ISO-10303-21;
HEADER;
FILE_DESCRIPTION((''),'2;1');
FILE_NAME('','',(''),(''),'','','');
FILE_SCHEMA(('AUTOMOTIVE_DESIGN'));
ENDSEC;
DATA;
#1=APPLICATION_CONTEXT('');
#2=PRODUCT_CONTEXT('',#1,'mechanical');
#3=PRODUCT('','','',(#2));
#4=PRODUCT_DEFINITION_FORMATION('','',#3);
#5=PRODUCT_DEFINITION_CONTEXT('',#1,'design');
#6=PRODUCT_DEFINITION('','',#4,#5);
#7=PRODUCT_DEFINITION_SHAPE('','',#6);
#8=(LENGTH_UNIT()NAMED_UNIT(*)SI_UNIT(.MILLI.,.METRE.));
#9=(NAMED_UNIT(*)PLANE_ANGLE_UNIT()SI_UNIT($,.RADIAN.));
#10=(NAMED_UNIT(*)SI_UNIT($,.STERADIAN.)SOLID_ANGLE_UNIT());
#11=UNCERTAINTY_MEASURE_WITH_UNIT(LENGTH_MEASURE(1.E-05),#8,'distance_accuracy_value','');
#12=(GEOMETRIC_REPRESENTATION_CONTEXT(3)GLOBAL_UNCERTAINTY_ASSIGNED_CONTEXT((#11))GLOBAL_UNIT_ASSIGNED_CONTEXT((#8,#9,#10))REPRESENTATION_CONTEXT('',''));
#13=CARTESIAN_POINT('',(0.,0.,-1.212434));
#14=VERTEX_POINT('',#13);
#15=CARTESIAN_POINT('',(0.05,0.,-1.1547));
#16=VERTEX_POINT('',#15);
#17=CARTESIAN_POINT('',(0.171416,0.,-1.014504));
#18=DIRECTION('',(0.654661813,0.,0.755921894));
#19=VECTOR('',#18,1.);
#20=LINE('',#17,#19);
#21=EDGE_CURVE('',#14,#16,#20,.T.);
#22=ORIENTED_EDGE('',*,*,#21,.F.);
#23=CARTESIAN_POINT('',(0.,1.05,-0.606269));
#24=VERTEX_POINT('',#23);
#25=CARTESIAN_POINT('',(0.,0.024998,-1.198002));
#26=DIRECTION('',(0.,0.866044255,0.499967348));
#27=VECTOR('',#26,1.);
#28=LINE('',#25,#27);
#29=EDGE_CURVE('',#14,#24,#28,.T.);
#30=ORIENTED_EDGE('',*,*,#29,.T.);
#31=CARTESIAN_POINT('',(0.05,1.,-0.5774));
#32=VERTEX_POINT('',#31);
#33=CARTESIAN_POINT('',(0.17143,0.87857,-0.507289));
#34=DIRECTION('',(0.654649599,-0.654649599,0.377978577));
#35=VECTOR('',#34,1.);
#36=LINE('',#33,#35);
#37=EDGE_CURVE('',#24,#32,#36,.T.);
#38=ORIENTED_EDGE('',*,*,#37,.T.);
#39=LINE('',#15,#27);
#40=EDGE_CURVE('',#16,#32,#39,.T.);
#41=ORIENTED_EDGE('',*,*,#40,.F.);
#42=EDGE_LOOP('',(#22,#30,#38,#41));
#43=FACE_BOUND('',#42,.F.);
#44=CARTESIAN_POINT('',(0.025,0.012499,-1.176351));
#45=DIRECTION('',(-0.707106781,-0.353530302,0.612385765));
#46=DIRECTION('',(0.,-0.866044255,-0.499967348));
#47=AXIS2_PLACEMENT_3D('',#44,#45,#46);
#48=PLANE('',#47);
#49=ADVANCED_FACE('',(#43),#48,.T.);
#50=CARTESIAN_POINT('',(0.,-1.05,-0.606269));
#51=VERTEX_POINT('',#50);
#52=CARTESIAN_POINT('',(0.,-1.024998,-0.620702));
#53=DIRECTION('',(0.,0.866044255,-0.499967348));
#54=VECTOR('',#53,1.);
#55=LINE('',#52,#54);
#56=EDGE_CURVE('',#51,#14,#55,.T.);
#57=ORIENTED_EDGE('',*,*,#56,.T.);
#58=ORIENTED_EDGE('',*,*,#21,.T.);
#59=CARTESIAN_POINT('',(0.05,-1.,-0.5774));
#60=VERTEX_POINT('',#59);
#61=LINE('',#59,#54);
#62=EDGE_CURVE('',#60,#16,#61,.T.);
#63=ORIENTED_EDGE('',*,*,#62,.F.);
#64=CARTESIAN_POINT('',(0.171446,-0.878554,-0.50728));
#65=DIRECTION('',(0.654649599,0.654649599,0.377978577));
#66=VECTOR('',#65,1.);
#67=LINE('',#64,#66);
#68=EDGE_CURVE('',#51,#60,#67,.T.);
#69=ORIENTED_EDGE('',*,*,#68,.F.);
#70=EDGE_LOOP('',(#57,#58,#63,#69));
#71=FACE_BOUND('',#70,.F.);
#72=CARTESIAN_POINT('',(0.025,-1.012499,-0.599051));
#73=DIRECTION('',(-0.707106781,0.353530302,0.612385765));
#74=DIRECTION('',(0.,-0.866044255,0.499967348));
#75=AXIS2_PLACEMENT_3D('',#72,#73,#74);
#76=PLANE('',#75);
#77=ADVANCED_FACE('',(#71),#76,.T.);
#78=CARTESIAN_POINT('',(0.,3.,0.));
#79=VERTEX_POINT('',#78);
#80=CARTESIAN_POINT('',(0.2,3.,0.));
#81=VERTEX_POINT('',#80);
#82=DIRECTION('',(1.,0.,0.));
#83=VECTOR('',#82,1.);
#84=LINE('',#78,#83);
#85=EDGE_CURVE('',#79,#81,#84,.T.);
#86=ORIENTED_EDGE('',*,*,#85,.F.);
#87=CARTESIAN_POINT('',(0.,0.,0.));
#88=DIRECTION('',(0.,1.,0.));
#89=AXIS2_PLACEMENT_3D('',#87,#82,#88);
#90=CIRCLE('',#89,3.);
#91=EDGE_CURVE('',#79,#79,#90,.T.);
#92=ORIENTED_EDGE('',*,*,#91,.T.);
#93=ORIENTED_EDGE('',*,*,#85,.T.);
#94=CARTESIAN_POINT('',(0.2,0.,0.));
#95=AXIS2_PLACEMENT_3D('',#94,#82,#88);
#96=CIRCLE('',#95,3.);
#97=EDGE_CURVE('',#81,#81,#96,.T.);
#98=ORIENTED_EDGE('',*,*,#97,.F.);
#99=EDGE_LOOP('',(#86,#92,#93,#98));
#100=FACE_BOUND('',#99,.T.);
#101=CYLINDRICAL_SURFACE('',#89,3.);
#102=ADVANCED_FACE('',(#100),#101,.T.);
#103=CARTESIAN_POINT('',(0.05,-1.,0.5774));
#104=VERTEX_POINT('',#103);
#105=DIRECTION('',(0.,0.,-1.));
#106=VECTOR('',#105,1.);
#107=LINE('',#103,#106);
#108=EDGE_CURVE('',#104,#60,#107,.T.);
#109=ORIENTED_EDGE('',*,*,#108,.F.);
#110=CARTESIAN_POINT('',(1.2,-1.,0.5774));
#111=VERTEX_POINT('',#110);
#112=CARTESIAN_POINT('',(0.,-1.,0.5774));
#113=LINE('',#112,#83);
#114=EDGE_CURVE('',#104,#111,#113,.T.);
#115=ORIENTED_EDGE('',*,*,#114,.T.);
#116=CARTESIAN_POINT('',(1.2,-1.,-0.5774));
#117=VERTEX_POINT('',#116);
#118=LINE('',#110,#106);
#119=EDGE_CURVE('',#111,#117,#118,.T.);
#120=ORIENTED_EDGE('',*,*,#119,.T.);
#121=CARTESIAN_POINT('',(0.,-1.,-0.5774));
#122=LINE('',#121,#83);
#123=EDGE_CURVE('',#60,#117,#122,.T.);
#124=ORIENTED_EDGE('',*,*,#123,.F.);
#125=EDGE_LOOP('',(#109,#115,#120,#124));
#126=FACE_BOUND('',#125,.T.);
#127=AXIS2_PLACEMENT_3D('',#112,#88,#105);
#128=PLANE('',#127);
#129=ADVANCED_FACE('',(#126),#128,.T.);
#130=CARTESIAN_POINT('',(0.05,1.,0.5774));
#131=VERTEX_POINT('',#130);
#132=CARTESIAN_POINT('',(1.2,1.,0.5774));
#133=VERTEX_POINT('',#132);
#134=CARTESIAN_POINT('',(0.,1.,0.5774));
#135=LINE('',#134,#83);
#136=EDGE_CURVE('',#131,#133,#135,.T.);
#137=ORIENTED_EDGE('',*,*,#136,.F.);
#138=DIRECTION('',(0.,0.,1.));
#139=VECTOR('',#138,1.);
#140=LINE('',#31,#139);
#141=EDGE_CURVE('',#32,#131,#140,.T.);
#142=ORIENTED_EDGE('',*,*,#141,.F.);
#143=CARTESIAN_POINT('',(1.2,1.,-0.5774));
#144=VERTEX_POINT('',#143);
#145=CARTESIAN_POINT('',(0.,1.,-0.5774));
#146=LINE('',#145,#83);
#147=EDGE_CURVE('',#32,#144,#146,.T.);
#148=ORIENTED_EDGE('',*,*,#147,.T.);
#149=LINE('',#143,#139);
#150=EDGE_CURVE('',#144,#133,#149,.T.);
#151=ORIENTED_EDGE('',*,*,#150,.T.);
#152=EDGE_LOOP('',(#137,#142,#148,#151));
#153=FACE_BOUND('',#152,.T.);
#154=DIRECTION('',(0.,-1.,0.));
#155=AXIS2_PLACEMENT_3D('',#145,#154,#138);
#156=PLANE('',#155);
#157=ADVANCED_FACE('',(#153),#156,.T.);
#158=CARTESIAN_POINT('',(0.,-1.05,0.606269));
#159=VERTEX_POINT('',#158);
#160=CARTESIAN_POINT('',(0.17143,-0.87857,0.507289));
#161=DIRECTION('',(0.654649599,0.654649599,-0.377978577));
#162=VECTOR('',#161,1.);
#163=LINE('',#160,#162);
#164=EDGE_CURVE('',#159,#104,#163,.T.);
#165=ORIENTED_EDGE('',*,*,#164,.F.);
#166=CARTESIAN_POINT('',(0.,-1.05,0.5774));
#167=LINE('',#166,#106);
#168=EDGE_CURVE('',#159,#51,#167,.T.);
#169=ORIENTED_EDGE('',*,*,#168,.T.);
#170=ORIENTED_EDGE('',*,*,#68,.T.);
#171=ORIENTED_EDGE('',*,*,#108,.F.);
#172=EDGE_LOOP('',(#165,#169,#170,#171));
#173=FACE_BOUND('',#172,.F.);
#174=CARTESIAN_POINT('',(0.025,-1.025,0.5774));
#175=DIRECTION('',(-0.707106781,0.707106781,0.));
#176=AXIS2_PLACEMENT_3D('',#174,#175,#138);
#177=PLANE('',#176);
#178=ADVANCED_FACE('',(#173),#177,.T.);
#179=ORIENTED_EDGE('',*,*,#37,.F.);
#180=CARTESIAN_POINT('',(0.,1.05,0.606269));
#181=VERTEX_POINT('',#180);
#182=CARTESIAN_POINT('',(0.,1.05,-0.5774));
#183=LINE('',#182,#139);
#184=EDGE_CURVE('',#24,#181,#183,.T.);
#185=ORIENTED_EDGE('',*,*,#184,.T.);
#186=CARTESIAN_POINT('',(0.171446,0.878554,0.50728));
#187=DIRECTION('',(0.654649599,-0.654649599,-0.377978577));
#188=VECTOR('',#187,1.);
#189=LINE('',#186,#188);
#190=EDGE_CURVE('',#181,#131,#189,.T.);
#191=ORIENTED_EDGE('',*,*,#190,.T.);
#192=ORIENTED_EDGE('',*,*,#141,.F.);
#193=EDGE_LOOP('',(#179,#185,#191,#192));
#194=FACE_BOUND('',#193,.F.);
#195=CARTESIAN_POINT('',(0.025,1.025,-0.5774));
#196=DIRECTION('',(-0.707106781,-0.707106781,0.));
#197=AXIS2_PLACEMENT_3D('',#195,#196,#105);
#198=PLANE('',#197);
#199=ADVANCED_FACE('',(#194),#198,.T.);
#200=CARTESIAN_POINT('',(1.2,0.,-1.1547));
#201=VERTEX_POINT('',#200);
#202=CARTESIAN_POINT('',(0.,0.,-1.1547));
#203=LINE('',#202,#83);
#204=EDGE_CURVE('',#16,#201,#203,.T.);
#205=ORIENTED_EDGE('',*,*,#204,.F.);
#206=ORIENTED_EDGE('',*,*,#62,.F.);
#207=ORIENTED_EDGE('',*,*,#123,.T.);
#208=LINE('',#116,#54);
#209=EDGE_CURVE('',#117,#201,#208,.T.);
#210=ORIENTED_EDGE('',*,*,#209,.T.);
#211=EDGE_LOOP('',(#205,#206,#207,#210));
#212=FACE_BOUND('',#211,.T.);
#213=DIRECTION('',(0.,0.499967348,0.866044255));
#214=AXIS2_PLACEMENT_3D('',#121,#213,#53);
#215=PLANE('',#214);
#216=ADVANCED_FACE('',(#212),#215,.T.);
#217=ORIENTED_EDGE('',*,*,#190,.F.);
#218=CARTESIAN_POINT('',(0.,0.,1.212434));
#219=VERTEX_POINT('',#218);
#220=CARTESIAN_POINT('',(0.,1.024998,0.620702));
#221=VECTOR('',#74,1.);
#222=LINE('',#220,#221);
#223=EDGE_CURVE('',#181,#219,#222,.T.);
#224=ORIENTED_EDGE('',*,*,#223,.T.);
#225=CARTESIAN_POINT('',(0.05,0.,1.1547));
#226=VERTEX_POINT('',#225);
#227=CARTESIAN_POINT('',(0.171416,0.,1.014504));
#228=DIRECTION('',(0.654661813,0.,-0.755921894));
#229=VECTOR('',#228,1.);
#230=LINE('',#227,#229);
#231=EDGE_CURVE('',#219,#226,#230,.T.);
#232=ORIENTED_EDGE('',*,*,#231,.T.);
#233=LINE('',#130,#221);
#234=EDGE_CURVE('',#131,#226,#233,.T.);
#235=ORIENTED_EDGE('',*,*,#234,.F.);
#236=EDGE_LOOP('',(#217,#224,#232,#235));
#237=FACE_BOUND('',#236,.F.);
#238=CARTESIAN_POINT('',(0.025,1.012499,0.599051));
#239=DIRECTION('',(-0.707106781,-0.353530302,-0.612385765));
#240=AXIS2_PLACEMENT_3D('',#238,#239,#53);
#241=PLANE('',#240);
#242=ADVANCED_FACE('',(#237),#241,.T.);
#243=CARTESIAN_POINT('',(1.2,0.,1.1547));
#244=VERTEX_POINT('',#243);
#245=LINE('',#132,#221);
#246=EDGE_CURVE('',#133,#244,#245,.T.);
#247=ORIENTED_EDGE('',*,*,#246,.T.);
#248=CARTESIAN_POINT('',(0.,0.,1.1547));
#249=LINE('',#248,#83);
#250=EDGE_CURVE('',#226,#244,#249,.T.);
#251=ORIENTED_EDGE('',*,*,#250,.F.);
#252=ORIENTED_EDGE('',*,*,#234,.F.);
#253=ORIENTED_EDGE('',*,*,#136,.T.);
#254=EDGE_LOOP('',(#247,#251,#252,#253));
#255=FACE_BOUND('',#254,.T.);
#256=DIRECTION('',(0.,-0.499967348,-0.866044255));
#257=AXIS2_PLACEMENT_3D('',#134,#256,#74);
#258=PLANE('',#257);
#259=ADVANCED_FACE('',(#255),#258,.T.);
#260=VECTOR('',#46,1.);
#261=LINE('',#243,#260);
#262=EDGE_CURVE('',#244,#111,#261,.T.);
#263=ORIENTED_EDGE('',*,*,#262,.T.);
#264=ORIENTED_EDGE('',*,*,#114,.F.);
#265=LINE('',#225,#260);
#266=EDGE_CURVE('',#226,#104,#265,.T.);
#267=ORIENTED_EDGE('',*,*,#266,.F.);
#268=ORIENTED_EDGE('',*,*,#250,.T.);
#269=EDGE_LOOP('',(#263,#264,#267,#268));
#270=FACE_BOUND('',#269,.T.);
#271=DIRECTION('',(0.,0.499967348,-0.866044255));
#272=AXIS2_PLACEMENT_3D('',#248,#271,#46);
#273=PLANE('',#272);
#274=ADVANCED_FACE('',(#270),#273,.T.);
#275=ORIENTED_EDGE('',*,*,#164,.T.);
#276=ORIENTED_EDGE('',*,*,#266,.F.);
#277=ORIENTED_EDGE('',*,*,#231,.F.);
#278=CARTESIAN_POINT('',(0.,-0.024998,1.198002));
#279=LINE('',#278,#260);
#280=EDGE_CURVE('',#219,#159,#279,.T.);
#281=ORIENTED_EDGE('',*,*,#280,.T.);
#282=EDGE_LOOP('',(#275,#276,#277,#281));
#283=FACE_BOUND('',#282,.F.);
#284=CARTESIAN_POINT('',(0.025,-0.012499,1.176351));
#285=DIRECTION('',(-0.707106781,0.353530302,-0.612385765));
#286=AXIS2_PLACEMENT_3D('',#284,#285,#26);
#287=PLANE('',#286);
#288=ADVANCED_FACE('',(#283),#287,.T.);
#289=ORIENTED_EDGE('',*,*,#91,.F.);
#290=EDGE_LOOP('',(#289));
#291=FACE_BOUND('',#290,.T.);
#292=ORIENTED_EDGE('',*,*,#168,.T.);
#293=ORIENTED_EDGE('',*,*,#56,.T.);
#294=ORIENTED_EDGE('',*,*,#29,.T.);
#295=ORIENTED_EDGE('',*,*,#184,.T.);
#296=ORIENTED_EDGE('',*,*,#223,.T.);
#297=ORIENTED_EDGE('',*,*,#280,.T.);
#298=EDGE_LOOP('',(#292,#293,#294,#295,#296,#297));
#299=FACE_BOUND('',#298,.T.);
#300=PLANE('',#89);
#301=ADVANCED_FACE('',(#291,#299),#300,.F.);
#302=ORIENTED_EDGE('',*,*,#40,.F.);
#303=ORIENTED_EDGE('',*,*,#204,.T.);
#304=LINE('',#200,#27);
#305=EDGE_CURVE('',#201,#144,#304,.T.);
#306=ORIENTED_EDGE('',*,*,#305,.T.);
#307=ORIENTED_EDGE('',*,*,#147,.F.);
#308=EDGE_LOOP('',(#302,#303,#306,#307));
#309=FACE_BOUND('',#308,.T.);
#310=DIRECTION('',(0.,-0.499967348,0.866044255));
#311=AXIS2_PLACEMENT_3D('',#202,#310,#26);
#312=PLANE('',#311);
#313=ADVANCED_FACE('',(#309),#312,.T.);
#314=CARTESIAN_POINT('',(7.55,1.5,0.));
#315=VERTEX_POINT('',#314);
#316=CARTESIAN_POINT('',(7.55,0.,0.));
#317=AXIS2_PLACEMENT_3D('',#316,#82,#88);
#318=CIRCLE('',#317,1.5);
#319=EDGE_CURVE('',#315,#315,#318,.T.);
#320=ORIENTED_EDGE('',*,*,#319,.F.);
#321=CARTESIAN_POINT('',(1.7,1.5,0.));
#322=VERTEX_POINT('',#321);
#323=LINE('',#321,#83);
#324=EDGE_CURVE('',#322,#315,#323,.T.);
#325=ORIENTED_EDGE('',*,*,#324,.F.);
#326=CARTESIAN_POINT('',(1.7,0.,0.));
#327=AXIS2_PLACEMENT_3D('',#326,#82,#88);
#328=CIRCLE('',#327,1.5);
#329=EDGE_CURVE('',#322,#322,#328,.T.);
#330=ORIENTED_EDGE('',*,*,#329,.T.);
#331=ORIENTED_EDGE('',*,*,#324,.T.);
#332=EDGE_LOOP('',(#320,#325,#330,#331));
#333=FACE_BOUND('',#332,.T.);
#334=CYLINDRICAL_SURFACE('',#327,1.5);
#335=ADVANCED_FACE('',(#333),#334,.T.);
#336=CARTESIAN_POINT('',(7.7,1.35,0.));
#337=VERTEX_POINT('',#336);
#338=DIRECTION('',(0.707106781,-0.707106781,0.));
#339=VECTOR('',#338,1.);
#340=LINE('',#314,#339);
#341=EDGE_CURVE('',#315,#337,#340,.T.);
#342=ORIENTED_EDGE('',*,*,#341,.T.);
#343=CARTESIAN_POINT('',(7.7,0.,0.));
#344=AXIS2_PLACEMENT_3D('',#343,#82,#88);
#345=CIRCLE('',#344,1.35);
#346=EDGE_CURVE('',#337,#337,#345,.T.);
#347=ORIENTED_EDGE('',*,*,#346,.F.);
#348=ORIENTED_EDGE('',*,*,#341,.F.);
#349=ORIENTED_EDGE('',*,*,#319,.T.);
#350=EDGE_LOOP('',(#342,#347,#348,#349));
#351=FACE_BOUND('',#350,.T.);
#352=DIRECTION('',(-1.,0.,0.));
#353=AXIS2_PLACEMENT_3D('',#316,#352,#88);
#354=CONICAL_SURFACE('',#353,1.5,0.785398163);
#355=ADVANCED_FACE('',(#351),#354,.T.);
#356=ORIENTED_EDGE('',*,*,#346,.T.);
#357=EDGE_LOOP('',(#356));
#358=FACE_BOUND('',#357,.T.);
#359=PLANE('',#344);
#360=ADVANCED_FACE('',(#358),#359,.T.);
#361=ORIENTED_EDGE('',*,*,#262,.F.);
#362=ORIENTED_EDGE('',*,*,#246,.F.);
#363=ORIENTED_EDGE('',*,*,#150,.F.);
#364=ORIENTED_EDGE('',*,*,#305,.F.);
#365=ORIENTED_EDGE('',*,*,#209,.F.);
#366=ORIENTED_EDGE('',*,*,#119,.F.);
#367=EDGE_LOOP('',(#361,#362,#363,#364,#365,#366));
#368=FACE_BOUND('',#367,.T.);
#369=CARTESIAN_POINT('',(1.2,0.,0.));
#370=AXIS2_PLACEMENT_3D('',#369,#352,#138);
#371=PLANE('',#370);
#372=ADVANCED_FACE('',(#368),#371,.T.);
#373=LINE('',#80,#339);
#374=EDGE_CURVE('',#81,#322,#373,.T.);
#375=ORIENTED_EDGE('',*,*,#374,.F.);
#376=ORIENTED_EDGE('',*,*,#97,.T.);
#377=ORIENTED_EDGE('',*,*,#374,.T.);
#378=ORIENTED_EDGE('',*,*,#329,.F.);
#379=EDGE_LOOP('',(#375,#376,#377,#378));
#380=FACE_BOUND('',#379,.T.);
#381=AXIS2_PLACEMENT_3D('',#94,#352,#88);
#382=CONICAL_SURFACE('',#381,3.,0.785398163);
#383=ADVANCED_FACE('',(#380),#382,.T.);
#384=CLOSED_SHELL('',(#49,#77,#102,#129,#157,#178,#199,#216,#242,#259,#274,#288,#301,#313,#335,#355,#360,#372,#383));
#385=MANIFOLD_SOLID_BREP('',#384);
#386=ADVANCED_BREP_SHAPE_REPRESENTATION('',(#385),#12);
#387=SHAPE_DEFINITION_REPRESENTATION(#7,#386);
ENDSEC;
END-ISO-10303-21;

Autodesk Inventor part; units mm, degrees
ref_plane "YZ Plane" through (0, 0, 0) normal (1, 0, 0) x (0, 1, 0)
ref_plane "XZ Plane" through (0, 0, 0) normal (0, 1, 0) x (-1, 0, 0)
ref_plane "XY Plane" through (0, 0, 0) normal (0, 0, 1) x (1, 0, 0)
sketch "スケッチ1" plane through (0, 0, 0) normal (0, 0, 1) x (1, 0, 0)
  line L0 (0, 0) -> (0, 3)
  line L1 (0, 3) -> (0.2, 3)
  line L2 (0.2, 3) -> (1.7, 1.5)
  line L3 (1.7, 1.5) -> (7.7, 1.5)
  line L4 (7.7, 1.5) -> (7.7, 0)
  line L5 (0, 0) -> (7.7, 0)
  dimension "d0" = 45
  dimension "d1" = 3
  dimension "d2" = 1.7
  dimension "d3" = 1.5
  dimension "d4" = 6
revolve "回転1" add sketch "スケッチ1" angle 360 about axis through (0, 0, 0) along (1, 0, 0)
thread "ねじ1" size "M3x0.5" class "6g" standard "ANSI Metric M Profile" length 44.8
sketch "スケッチ2" plane through (0, 0, 0) normal (-1, 0, 0) x (0, 0, 1)
  line L0 (0.5774, 1) -> (1.1547, 0)
  line L1 (1.1547, 0) -> (0.5774, -1)
  line L2 (0.5774, -1) -> (-0.5774, -1)
  line L3 (-0.5774, -1) -> (-1.1547, 0)
  line L4 (-1.1547, 0) -> (-0.5774, 1)
  line L5 (-0.5774, 1) -> (0.5774, 1)
  circle A0 centre (0, 0) radius 1.1547
  point P0 (0, 0)
  point P1 (0, 0)
  dimension "d8" = 2
extrude "押し出し1" cut sketch "スケッチ2" against normal blind 1.2 contours L0 L1 L2 L3 L4 L5
chamfer "面取り1" distance 0.05 angle 45 6 edges at (0, -0.5, -0.866) (0, 0.5, -0.866) (0, 1, 0) (0, 0.5, 0.866) (0, -1, 0) (0, -0.5, 0.866)
chamfer "面取り2" distance 0.15 angle 45 1 edges at (7.7, -1.5, 0)
properties part number "ネジ皿M3L6" material "鋼、高強度、低合金"
